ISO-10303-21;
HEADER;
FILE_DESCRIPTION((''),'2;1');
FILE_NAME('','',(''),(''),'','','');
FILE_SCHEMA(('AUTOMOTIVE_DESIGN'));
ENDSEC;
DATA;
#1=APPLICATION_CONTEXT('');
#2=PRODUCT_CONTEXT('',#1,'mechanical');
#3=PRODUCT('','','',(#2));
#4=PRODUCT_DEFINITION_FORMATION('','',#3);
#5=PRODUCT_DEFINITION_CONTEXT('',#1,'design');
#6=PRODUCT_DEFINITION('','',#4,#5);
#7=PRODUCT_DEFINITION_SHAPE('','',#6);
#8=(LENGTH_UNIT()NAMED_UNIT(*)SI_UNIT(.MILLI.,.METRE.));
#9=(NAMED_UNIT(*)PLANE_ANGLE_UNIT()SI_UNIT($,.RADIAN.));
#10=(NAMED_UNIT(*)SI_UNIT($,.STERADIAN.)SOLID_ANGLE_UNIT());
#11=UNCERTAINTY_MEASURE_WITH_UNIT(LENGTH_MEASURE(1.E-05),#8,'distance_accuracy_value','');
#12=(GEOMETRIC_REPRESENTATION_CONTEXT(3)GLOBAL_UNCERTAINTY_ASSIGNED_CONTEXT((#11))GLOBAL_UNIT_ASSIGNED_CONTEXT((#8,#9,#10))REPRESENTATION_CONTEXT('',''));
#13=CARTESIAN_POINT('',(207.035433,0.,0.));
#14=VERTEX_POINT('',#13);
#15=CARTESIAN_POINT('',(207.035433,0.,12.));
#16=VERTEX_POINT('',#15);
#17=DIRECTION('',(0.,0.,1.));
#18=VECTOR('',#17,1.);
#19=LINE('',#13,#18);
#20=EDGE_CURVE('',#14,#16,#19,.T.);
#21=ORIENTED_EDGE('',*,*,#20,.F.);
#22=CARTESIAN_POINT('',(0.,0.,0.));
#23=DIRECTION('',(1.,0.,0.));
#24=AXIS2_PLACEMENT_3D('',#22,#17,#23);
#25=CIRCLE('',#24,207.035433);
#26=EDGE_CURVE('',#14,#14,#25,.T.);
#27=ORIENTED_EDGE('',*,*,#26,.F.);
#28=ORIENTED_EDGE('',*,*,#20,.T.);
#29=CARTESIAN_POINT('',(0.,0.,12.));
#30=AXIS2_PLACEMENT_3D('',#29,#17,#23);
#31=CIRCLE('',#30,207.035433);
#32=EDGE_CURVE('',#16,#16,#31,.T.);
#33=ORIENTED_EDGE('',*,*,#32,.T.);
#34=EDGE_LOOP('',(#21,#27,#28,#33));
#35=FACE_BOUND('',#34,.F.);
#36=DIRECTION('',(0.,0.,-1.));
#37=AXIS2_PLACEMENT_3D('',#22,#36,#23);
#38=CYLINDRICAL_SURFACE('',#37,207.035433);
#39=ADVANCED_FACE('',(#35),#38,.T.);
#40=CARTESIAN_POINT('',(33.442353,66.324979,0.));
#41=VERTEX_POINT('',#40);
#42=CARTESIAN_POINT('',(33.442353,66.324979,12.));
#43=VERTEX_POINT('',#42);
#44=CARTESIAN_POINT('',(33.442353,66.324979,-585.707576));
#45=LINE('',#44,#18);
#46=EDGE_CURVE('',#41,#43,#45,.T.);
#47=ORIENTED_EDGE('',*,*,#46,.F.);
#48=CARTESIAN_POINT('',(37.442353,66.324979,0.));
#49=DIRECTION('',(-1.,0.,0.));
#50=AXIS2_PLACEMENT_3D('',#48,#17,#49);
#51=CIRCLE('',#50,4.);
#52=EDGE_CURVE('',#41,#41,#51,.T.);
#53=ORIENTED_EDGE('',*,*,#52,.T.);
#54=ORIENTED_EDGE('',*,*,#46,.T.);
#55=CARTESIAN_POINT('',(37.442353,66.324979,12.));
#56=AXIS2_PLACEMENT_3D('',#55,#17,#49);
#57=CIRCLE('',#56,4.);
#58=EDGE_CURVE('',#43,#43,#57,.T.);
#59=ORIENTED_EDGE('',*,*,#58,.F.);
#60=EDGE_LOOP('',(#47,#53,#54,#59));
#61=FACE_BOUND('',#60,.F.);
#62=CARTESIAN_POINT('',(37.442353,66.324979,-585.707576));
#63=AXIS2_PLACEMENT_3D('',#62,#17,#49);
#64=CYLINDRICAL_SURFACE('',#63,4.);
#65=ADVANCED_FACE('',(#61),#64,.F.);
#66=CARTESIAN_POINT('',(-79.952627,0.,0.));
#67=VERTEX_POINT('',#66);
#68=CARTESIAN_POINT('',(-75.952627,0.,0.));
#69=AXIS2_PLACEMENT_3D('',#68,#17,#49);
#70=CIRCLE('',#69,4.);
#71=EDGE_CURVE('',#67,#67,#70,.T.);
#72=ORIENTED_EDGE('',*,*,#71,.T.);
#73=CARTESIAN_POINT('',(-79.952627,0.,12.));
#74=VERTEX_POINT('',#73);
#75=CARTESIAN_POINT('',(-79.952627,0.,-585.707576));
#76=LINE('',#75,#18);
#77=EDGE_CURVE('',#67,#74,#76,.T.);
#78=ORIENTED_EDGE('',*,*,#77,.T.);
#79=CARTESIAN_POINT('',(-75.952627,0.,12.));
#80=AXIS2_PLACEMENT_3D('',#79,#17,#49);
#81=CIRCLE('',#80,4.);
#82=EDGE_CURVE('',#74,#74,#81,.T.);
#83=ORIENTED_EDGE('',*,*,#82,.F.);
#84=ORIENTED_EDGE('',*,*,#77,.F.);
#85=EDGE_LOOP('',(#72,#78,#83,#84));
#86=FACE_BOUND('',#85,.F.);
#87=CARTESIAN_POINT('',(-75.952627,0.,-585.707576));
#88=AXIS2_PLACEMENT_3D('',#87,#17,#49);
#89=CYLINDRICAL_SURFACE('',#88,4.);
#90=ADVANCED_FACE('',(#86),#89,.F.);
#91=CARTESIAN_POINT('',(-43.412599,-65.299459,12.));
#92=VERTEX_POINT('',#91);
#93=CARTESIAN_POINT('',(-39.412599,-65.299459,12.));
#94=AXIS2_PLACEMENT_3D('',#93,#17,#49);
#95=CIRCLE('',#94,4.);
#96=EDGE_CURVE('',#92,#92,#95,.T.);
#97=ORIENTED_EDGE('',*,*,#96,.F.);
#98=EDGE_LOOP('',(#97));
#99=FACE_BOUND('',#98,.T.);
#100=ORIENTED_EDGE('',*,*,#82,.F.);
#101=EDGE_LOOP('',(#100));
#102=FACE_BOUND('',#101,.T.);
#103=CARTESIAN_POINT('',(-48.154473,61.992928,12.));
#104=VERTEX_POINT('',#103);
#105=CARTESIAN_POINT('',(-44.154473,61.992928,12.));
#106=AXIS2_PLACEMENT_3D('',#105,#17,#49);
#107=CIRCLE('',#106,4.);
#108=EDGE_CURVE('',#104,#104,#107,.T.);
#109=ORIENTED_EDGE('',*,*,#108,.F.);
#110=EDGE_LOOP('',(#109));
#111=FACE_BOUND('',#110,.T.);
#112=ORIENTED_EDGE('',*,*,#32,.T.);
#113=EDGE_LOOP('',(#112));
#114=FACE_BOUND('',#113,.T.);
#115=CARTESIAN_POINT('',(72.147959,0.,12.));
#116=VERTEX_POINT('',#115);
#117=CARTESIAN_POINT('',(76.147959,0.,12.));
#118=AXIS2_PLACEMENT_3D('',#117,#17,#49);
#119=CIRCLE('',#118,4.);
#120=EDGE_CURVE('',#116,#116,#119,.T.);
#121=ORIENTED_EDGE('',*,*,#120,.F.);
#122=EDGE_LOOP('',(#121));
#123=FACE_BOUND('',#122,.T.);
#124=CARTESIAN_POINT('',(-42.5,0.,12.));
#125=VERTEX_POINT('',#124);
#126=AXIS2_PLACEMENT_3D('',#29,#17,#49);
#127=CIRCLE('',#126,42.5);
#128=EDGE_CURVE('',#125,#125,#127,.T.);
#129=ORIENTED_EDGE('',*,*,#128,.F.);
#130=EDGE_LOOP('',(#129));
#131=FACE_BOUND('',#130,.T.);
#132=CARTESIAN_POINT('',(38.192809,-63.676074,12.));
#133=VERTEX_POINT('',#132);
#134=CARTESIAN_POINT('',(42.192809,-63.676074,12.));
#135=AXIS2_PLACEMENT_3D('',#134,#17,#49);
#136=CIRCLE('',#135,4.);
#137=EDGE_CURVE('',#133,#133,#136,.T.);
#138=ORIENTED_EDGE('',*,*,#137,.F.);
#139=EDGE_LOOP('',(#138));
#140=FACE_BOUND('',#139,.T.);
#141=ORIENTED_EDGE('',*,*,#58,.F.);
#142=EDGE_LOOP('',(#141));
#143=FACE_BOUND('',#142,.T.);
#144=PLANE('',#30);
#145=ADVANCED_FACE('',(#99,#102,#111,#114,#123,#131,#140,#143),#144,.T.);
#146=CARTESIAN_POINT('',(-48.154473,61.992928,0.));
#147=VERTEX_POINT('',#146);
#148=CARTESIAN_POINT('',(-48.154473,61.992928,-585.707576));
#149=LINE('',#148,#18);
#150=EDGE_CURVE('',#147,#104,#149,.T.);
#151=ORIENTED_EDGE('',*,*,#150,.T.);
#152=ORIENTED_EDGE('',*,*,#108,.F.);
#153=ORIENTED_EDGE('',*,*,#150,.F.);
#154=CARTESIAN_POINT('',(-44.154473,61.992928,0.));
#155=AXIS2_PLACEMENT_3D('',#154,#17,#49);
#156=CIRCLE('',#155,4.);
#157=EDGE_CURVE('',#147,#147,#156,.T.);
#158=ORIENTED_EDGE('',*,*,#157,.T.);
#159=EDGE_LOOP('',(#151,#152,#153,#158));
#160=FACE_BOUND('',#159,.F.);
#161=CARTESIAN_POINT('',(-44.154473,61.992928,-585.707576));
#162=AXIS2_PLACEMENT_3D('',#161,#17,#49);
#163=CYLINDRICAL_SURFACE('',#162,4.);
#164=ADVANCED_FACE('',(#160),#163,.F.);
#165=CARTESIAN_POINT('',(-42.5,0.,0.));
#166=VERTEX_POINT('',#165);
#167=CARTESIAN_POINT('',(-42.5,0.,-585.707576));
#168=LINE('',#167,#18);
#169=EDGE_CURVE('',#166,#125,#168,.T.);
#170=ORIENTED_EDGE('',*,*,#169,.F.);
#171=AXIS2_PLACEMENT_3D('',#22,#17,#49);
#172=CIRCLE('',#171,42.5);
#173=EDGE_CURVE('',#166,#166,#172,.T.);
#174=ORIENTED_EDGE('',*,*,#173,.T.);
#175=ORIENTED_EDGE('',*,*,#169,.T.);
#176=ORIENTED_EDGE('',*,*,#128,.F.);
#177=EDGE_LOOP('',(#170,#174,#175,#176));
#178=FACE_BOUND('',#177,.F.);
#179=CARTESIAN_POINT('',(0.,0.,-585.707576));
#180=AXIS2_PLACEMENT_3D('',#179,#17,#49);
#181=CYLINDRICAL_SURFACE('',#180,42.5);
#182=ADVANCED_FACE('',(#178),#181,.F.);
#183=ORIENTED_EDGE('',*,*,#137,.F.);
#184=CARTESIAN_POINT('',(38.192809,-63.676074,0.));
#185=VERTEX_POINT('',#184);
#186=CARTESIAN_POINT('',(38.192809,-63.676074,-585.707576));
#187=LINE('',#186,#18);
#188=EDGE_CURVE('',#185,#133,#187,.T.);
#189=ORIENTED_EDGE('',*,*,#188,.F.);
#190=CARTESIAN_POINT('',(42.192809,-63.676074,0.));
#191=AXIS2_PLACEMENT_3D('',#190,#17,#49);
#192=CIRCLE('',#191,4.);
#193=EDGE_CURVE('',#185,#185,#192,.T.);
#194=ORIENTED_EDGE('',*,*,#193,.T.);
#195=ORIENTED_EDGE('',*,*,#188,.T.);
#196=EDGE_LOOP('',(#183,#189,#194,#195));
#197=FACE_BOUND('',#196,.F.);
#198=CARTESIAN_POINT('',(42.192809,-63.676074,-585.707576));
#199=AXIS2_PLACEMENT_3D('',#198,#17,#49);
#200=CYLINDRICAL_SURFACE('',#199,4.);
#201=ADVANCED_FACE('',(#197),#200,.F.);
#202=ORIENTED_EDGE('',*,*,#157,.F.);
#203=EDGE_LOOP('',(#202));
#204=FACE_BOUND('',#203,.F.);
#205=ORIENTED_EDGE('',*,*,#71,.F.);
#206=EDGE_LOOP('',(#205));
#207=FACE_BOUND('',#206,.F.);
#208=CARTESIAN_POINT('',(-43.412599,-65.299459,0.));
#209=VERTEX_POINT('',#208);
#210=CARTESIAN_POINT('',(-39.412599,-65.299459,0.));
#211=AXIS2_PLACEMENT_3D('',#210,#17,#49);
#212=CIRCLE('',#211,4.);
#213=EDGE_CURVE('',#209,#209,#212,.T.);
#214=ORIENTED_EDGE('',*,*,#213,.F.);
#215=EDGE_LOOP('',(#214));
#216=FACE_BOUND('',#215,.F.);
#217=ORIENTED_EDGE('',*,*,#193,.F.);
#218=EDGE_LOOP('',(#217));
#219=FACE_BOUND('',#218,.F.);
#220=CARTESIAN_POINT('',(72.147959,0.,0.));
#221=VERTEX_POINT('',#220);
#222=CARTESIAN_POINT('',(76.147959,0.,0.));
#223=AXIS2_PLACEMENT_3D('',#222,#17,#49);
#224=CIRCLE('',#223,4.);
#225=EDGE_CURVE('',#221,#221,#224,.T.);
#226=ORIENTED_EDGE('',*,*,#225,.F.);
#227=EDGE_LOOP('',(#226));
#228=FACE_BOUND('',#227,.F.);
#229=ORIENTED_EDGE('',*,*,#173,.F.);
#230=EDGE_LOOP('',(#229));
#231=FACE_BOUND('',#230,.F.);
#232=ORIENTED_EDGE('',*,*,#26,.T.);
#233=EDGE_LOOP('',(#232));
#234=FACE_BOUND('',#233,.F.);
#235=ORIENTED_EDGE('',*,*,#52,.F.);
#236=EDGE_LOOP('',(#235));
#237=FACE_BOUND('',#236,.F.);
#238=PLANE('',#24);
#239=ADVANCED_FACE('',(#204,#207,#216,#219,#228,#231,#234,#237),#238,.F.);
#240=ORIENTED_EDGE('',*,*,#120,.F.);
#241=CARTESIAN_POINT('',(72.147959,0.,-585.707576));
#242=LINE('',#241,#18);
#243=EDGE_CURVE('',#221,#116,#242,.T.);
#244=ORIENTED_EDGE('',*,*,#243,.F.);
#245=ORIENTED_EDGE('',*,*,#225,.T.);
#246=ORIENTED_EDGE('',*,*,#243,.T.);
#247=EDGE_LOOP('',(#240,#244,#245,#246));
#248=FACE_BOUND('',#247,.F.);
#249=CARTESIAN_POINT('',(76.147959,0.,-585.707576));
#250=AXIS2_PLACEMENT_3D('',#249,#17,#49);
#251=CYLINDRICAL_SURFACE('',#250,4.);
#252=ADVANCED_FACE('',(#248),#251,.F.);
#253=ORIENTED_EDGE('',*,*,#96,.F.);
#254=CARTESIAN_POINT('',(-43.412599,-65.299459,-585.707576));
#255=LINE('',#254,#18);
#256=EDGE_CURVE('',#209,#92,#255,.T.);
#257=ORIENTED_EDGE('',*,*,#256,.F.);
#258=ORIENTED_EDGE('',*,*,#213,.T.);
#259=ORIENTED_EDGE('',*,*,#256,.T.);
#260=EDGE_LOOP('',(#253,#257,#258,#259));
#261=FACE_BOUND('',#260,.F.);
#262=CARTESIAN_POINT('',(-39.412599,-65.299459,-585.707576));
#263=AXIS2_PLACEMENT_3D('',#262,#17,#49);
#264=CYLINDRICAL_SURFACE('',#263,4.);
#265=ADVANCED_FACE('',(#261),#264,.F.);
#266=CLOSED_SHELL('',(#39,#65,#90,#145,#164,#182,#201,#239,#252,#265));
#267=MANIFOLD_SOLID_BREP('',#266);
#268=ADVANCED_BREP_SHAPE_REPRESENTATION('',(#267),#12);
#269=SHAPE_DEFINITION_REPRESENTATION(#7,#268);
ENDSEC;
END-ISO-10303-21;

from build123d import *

# Parameters (mm, degrees)
F0_R     = 207.035433
F1_DEPTH = 12
F3_D     = 85
F6_D     = 8


with BuildPart() as f1:
    # F0 (on Top) → F1 (new body)
    with BuildSketch(Plane.XY):
        Circle(F0_R)
    extrude(amount=F1_DEPTH)

    # F3 (through all)
    with Locations(Plane(origin=(0, 0, 0), x_dir=(1, 0, 0), z_dir=(0, 0, -1))):
        with Locations((0, 0)):
            Hole(F3_D / 2)

    # F6 (through all)
    with Locations(Plane(origin=(0, 0, 0), x_dir=(1, 0, 0), z_dir=(0, 0, -1))):
        with Locations((-75.952627, 0), (-39.412599, 65.299459), (42.192809, 63.676074), (76.147959, 0), (37.442353, -66.324979), (-44.154473, -61.992928)):
            Hole(F6_D / 2)


solid = f1.part
